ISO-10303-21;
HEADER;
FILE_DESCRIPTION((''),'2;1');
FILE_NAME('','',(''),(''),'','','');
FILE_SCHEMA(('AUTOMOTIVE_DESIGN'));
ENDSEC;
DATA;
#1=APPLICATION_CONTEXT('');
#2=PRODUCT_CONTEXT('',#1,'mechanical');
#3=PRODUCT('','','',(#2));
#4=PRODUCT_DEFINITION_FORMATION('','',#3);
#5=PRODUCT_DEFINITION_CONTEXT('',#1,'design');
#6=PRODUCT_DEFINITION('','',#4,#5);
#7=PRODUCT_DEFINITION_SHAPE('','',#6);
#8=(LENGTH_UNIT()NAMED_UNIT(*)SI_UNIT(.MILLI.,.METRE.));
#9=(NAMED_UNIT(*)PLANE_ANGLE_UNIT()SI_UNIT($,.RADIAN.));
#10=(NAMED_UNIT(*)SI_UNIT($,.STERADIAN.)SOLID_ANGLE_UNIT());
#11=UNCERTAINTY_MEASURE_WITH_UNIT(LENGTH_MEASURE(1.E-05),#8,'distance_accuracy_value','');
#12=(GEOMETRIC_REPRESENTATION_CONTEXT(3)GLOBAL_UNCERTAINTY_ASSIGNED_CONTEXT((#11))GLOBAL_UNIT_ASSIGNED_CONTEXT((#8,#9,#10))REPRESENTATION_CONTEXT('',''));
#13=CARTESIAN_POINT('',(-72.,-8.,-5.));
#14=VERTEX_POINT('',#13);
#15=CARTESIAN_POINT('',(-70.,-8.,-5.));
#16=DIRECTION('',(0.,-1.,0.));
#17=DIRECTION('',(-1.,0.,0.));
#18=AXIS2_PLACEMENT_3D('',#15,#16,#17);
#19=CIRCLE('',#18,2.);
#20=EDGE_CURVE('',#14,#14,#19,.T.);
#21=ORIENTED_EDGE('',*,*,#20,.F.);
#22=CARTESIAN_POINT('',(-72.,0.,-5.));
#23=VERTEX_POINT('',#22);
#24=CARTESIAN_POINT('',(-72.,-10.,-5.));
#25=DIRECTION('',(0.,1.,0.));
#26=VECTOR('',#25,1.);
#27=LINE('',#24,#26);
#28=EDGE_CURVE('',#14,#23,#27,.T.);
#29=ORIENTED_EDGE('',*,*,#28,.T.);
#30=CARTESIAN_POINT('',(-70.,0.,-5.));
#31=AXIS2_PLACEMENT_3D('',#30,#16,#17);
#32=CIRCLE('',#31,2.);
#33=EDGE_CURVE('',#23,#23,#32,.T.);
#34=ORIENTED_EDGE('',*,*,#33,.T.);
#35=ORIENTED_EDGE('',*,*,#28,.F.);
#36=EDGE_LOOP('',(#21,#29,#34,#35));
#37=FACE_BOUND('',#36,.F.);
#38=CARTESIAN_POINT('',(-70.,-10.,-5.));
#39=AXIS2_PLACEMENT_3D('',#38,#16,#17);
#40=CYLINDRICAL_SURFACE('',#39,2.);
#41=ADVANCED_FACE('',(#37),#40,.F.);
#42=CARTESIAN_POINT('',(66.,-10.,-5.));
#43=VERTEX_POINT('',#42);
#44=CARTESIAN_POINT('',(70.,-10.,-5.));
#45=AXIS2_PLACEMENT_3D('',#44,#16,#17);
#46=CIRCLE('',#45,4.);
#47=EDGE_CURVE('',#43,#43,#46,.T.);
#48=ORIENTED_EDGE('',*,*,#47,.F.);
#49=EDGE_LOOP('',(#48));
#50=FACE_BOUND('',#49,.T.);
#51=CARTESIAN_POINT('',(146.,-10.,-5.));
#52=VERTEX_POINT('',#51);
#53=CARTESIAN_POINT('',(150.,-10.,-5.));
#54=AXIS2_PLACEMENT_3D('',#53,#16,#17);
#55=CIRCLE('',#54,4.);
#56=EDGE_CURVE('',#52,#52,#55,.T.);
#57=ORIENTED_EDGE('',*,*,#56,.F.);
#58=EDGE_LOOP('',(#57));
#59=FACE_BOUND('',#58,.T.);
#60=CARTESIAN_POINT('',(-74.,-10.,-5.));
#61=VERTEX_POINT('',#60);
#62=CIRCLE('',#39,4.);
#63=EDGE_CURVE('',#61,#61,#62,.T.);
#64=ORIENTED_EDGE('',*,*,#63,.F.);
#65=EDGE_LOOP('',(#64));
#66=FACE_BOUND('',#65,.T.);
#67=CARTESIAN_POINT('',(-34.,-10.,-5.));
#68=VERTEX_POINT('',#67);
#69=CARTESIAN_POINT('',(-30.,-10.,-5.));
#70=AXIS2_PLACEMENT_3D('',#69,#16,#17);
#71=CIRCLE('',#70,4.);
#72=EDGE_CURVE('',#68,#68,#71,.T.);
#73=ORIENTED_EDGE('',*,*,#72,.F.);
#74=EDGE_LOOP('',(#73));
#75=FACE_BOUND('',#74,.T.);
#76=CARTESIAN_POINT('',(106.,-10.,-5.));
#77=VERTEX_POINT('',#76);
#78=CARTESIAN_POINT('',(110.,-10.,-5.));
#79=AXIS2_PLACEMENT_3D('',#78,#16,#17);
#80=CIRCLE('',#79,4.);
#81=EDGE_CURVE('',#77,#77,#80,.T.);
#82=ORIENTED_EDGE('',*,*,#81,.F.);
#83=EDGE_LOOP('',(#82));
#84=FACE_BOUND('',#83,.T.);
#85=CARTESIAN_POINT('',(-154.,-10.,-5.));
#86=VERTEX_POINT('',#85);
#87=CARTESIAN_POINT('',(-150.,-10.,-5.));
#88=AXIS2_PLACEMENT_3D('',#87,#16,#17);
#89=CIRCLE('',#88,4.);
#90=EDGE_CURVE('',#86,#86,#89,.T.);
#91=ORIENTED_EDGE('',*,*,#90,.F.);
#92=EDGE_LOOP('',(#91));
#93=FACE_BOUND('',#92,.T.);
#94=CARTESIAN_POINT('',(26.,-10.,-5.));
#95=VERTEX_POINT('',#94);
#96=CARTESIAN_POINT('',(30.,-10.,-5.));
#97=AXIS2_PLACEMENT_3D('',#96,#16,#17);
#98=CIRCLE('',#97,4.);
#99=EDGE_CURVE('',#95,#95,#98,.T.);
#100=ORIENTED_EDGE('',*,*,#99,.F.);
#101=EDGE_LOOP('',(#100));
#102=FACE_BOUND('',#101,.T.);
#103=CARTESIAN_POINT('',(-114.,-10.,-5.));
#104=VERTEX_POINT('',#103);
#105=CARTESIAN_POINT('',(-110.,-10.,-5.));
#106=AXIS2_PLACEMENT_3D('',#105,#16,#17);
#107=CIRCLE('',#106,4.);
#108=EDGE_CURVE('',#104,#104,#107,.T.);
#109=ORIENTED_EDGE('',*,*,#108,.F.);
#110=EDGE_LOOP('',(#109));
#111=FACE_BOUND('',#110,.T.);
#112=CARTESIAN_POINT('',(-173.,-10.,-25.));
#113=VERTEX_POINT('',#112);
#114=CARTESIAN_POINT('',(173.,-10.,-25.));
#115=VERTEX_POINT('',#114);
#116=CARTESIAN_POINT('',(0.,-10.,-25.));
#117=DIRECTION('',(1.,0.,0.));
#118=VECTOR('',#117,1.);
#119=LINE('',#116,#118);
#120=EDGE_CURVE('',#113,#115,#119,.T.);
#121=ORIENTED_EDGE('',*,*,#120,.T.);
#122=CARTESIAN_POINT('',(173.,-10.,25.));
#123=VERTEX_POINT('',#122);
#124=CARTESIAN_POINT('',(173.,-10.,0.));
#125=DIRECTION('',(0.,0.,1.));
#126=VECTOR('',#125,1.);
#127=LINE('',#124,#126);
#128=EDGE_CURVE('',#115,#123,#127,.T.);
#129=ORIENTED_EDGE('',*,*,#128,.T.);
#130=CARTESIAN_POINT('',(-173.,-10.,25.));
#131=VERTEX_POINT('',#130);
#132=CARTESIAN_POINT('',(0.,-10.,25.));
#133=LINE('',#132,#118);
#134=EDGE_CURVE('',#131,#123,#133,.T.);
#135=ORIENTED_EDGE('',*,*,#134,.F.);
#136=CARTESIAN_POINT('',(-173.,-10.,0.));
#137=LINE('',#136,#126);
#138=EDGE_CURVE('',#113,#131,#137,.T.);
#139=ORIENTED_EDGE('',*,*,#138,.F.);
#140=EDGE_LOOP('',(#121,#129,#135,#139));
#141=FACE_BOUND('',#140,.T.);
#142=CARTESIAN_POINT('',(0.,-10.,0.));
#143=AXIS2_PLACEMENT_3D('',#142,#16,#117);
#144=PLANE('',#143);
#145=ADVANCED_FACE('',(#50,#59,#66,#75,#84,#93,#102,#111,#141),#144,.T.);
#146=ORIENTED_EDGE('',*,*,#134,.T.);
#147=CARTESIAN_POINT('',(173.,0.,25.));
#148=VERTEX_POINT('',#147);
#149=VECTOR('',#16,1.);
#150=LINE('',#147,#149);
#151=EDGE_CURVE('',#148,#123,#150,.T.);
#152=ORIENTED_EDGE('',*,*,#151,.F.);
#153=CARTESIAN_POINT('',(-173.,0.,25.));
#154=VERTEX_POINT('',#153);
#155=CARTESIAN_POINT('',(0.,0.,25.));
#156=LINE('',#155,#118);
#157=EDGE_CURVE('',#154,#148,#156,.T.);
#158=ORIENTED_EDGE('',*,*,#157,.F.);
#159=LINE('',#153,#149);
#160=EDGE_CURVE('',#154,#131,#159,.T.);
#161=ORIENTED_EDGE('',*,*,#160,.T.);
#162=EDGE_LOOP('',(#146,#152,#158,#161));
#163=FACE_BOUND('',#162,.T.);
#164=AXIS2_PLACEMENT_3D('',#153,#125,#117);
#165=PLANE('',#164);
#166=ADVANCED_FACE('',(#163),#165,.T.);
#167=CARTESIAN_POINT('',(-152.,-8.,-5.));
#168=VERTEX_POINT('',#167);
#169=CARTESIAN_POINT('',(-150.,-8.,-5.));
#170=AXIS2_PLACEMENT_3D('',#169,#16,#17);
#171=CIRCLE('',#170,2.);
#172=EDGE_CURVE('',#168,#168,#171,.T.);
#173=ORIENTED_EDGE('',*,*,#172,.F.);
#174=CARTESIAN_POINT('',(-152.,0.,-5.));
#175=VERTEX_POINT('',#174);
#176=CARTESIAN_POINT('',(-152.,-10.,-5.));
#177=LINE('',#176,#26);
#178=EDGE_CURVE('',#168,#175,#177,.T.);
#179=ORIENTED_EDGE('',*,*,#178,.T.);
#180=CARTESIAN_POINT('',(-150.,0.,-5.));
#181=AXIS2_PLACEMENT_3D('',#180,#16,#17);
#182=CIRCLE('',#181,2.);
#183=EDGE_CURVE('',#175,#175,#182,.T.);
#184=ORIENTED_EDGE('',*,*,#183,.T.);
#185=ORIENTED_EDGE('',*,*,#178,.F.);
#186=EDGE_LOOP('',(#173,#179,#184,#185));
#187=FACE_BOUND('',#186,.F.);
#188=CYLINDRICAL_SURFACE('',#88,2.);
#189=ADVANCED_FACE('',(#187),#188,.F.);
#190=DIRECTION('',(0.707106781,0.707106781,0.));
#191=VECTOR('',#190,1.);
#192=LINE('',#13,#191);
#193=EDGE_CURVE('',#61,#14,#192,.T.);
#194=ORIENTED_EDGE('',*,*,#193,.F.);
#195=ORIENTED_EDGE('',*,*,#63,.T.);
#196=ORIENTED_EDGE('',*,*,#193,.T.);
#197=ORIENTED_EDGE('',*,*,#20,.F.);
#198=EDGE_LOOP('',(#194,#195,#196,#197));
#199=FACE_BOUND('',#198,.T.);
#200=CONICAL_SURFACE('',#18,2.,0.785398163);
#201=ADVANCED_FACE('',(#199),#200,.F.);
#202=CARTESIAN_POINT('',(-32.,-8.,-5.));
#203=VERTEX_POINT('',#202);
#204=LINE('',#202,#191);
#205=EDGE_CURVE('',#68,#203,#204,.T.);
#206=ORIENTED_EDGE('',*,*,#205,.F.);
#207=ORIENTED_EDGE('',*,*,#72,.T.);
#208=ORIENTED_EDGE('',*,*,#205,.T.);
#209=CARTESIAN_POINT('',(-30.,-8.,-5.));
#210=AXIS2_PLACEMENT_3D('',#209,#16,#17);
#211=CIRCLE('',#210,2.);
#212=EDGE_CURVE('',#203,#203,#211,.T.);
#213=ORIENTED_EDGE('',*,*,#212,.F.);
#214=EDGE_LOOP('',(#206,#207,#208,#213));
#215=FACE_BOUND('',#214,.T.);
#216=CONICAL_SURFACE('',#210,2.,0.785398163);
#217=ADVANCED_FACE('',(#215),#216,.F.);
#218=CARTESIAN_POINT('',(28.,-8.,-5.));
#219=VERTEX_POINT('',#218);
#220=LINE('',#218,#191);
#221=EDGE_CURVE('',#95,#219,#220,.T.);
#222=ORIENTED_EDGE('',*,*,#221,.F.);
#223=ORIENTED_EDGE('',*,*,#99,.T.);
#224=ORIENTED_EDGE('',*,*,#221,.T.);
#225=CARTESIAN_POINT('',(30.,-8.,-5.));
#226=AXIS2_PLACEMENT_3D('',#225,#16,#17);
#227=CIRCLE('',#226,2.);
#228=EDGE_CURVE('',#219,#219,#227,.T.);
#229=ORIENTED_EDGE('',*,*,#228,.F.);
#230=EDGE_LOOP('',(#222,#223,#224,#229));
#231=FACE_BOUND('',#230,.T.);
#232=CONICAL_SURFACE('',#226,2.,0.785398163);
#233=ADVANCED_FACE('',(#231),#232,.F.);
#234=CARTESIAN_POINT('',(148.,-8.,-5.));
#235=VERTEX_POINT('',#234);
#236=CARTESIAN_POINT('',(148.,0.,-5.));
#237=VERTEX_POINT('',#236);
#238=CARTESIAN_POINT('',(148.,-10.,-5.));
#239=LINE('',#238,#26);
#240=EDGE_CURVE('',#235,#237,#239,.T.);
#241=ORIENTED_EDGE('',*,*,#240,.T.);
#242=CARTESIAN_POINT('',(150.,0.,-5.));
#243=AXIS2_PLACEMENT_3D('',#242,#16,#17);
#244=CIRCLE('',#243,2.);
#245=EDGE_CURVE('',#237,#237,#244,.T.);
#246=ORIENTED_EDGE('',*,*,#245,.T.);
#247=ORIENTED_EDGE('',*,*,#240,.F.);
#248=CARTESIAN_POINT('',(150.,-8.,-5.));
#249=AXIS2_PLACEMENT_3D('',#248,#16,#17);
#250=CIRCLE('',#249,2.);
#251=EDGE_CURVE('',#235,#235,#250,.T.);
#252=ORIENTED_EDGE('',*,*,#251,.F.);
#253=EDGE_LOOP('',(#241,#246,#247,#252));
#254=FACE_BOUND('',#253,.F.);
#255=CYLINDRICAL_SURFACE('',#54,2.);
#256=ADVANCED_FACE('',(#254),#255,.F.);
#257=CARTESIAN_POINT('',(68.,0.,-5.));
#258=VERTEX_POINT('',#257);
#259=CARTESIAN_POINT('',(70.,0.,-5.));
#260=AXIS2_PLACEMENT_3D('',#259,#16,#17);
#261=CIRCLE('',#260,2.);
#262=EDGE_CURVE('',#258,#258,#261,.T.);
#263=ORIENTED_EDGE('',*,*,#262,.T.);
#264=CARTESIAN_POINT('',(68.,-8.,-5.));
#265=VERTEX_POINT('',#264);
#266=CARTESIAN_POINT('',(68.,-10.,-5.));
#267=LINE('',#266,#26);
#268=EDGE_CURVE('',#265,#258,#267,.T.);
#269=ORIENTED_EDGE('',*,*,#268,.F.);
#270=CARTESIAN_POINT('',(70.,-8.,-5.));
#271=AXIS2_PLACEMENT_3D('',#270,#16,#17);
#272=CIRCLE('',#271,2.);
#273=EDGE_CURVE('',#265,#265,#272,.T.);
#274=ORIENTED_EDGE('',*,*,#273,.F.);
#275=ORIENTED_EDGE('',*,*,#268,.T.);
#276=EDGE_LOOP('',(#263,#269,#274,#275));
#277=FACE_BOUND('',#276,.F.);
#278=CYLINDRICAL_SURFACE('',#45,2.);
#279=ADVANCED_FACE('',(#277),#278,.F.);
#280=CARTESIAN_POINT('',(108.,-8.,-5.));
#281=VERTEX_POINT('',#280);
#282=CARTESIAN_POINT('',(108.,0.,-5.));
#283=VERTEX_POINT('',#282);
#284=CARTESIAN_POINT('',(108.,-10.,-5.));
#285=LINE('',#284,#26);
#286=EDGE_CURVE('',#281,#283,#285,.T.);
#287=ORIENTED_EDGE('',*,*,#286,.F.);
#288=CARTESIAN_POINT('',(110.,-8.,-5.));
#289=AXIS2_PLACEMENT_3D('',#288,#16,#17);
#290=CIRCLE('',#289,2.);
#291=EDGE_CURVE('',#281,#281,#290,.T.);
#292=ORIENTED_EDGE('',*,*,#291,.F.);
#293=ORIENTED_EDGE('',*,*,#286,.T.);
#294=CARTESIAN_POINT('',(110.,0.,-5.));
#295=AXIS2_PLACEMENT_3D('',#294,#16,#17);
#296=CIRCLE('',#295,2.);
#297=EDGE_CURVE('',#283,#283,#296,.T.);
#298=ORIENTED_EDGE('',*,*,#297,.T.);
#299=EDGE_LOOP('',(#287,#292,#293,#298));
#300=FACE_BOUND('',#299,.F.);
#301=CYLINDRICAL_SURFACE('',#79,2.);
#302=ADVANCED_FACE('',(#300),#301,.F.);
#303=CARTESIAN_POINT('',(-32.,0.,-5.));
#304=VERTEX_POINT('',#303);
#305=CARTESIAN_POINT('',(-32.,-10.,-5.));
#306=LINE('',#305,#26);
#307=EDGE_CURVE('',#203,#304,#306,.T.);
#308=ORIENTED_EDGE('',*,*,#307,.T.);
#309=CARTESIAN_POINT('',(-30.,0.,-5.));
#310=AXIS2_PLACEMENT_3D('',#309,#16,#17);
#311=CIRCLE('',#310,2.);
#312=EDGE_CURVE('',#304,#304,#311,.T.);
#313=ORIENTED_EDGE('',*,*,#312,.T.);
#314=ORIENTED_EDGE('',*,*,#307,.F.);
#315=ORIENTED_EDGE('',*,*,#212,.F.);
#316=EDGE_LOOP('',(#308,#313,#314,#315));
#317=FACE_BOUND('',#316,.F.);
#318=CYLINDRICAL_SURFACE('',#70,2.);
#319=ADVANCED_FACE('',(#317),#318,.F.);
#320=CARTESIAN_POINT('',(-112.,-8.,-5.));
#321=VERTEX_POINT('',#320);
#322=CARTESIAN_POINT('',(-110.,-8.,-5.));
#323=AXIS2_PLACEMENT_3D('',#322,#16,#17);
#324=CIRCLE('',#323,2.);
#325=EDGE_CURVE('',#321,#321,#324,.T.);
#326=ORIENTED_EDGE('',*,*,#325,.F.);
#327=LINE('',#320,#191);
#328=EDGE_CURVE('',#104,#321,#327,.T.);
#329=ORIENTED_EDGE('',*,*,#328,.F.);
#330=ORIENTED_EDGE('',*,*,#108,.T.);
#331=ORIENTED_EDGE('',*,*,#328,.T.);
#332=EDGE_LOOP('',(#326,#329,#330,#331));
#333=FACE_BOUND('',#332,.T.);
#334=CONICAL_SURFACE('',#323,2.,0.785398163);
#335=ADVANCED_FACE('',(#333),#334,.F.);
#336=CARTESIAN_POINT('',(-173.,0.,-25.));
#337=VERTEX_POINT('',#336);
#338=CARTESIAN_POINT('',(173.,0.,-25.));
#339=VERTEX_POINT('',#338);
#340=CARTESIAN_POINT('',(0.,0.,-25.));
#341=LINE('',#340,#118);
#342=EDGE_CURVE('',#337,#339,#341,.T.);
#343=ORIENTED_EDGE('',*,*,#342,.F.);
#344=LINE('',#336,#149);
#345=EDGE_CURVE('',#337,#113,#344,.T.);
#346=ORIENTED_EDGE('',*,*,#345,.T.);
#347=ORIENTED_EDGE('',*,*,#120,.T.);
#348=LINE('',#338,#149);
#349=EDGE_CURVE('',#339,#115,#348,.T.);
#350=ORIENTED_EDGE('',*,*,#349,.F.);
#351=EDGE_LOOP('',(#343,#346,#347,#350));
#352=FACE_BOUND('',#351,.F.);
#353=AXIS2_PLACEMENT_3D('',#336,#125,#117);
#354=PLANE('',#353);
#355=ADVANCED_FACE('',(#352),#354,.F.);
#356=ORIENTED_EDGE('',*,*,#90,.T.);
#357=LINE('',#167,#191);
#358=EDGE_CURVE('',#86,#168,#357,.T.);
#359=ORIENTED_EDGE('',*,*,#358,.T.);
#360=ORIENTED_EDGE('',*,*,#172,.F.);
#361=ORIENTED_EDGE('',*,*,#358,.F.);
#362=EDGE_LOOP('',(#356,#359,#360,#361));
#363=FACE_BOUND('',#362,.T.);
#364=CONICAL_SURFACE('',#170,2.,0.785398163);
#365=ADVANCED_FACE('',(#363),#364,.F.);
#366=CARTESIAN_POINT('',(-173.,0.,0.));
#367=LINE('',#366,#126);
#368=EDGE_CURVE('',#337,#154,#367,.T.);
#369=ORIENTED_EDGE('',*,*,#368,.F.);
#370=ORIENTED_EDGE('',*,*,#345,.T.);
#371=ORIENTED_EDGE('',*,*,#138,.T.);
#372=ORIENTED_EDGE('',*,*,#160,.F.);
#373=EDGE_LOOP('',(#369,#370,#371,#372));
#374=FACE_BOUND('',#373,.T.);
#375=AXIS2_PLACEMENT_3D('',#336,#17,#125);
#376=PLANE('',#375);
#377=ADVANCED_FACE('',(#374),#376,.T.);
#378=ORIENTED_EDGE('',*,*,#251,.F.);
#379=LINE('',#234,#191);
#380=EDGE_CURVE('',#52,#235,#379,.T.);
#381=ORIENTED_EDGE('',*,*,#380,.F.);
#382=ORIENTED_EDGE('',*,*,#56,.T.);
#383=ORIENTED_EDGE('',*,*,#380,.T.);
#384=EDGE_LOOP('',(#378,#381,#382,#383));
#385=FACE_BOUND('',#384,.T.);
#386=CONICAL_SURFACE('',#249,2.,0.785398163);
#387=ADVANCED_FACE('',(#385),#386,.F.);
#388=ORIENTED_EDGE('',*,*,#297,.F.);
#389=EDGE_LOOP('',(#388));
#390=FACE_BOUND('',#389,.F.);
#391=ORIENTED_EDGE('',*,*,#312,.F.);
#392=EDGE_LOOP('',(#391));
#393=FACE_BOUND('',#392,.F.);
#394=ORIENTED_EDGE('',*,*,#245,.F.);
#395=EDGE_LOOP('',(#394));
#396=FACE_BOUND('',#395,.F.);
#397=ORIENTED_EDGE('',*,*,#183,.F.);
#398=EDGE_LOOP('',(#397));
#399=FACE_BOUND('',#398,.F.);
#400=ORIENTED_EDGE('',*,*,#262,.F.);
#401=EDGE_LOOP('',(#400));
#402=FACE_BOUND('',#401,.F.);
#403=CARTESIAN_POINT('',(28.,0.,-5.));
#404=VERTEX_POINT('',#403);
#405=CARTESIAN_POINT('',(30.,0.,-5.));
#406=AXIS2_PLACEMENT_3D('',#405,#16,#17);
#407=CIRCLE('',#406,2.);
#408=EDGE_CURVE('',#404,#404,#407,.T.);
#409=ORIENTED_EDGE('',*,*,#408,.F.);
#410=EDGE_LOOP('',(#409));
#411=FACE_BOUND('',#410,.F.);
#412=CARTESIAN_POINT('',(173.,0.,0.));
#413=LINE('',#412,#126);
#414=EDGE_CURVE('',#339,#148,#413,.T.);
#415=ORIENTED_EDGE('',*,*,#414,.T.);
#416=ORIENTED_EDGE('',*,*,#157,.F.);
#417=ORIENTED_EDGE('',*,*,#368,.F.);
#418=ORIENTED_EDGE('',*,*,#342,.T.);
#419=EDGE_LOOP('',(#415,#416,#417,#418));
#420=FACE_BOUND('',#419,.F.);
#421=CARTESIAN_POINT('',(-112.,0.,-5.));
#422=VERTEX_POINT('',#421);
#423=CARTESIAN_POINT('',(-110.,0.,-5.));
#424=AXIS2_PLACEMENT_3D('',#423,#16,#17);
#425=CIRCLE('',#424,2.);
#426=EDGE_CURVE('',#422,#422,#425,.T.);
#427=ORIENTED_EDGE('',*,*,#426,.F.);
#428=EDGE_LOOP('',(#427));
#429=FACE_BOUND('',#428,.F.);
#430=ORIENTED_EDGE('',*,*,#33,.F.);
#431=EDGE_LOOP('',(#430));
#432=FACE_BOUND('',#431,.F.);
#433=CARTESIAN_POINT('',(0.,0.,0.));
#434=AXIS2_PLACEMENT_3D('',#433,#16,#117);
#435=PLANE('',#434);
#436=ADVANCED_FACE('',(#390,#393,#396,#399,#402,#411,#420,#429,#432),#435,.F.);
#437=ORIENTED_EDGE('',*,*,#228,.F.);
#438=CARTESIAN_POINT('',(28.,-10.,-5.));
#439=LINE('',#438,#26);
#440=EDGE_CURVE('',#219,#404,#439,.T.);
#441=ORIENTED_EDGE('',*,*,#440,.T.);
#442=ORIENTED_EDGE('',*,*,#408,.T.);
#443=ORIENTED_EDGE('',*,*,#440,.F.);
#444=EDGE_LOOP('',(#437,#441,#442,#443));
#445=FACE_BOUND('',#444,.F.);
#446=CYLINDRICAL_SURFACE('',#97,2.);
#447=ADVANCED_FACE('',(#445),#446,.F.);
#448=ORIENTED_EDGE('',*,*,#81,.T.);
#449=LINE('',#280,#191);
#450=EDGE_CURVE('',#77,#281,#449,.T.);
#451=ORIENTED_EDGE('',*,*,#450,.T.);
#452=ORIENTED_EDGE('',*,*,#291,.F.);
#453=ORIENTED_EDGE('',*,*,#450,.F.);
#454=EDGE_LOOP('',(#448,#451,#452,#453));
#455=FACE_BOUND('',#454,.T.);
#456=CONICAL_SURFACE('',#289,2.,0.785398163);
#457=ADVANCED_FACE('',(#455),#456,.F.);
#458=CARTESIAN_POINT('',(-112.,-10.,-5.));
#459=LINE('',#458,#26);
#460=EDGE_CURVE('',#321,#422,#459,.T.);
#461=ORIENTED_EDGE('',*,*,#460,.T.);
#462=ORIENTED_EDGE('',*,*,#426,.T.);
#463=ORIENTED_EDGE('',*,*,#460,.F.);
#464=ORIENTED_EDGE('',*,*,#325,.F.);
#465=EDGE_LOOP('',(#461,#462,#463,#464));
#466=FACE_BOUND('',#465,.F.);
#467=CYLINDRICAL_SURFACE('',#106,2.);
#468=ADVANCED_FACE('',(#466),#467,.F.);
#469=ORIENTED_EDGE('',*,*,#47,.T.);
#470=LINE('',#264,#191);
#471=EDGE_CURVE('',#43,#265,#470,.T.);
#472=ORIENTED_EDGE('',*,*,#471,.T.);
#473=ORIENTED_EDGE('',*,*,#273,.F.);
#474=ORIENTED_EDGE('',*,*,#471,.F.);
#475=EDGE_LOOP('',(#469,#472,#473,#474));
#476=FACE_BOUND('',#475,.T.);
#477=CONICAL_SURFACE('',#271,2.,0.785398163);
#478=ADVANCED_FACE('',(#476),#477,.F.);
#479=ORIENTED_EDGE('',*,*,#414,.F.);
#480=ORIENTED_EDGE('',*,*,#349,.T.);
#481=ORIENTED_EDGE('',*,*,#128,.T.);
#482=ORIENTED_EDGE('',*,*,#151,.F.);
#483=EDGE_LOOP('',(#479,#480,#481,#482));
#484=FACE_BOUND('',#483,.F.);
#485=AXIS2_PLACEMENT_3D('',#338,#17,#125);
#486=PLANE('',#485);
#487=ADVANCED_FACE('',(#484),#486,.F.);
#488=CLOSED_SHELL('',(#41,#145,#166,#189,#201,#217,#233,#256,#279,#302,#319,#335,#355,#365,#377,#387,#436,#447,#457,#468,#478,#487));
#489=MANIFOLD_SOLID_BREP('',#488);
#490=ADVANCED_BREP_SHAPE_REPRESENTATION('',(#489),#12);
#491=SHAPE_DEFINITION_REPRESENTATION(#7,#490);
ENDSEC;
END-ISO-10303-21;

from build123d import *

# Parameters (mm, degrees)
F0_W     = 346
F0_H     = 50
F1_DEPTH = 10
F3_DEPTH = 10.001
F4_SIZE  = 2


with BuildPart() as f1:
    # F0 (on Front) → F1 (new body)
    with BuildSketch(Plane.XZ):
        Rectangle(F0_W, F0_H)
    extrude(amount=F1_DEPTH)

    # F2 (on face) → F3 (cut, through all)
    with BuildSketch(Plane.XZ.offset(10)):
        with BuildLine():
            ThreePointArc((-148, -5), (-150, -3), (-152, -5))
            Line((-152, -5), (-148, -5))
        make_face()
        with BuildLine():
            Line((-148, -5), (-152, -5))
            ThreePointArc((-152, -5), (-150, -7), (-148, -5))
        make_face()
        with BuildLine():
            ThreePointArc((-108, -5), (-110, -3), (-112, -5))
            Line((-112, -5), (-108, -5))
        make_face()
        with BuildLine():
            Line((-108, -5), (-112, -5))
            ThreePointArc((-112, -5), (-110, -7), (-108, -5))
        make_face()
        with BuildLine():
            ThreePointArc((-68, -5), (-70, -3), (-72, -5))
            Line((-72, -5), (-68, -5))
        make_face()
        with BuildLine():
            Line((-68, -5), (-72, -5))
            ThreePointArc((-72, -5), (-70, -7), (-68, -5))
        make_face()
        with BuildLine():
            Line((-32, -5), (-28, -5))
            ThreePointArc((-28, -5), (-30, -3), (-32, -5))
        make_face()
        with BuildLine():
            ThreePointArc((-32, -5), (-30, -7), (-28, -5))
            Line((-28, -5), (-32, -5))
        make_face()
        with BuildLine():
            ThreePointArc((32, -5), (30, -3), (28, -5))
            Line((28, -5), (32, -5))
        make_face()
        with BuildLine():
            Line((32, -5), (28, -5))
            ThreePointArc((28, -5), (30, -7), (32, -5))
        make_face()
        with BuildLine():
            ThreePointArc((72, -5), (70, -3), (68, -5))
            Line((68, -5), (72, -5))
        make_face()
        with BuildLine():
            Line((72, -5), (68, -5))
            ThreePointArc((68, -5), (70, -7), (72, -5))
        make_face()
        with BuildLine():
            Line((108, -5), (112, -5))
            ThreePointArc((112, -5), (110, -3), (108, -5))
        make_face()
        with BuildLine():
            ThreePointArc((108, -5), (110, -7), (112, -5))
            Line((112, -5), (108, -5))
        make_face()
        with BuildLine():
            Line((148, -5), (152, -5))
            ThreePointArc((152, -5), (150, -3), (148, -5))
        make_face()
        with BuildLine():
            ThreePointArc((148, -5), (150, -7), (152, -5))
            Line((152, -5), (148, -5))
        make_face()
    extrude(amount=-F3_DEPTH, mode=Mode.SUBTRACT)

    # F4
    f4_edges = [f1.edges().sort_by_distance(p)[0] for p in [
        (-148, -10, -5),
        (-108, -10, -5),
        (-68, -10, -5),
        (-28, -10, -5),
        (32, -10, -5),
        (72, -10, -5),
        (112, -10, -5),
        (152, -10, -5),
    ]]
    chamfer(f4_edges, length=F4_SIZE)


solid = f1.part
